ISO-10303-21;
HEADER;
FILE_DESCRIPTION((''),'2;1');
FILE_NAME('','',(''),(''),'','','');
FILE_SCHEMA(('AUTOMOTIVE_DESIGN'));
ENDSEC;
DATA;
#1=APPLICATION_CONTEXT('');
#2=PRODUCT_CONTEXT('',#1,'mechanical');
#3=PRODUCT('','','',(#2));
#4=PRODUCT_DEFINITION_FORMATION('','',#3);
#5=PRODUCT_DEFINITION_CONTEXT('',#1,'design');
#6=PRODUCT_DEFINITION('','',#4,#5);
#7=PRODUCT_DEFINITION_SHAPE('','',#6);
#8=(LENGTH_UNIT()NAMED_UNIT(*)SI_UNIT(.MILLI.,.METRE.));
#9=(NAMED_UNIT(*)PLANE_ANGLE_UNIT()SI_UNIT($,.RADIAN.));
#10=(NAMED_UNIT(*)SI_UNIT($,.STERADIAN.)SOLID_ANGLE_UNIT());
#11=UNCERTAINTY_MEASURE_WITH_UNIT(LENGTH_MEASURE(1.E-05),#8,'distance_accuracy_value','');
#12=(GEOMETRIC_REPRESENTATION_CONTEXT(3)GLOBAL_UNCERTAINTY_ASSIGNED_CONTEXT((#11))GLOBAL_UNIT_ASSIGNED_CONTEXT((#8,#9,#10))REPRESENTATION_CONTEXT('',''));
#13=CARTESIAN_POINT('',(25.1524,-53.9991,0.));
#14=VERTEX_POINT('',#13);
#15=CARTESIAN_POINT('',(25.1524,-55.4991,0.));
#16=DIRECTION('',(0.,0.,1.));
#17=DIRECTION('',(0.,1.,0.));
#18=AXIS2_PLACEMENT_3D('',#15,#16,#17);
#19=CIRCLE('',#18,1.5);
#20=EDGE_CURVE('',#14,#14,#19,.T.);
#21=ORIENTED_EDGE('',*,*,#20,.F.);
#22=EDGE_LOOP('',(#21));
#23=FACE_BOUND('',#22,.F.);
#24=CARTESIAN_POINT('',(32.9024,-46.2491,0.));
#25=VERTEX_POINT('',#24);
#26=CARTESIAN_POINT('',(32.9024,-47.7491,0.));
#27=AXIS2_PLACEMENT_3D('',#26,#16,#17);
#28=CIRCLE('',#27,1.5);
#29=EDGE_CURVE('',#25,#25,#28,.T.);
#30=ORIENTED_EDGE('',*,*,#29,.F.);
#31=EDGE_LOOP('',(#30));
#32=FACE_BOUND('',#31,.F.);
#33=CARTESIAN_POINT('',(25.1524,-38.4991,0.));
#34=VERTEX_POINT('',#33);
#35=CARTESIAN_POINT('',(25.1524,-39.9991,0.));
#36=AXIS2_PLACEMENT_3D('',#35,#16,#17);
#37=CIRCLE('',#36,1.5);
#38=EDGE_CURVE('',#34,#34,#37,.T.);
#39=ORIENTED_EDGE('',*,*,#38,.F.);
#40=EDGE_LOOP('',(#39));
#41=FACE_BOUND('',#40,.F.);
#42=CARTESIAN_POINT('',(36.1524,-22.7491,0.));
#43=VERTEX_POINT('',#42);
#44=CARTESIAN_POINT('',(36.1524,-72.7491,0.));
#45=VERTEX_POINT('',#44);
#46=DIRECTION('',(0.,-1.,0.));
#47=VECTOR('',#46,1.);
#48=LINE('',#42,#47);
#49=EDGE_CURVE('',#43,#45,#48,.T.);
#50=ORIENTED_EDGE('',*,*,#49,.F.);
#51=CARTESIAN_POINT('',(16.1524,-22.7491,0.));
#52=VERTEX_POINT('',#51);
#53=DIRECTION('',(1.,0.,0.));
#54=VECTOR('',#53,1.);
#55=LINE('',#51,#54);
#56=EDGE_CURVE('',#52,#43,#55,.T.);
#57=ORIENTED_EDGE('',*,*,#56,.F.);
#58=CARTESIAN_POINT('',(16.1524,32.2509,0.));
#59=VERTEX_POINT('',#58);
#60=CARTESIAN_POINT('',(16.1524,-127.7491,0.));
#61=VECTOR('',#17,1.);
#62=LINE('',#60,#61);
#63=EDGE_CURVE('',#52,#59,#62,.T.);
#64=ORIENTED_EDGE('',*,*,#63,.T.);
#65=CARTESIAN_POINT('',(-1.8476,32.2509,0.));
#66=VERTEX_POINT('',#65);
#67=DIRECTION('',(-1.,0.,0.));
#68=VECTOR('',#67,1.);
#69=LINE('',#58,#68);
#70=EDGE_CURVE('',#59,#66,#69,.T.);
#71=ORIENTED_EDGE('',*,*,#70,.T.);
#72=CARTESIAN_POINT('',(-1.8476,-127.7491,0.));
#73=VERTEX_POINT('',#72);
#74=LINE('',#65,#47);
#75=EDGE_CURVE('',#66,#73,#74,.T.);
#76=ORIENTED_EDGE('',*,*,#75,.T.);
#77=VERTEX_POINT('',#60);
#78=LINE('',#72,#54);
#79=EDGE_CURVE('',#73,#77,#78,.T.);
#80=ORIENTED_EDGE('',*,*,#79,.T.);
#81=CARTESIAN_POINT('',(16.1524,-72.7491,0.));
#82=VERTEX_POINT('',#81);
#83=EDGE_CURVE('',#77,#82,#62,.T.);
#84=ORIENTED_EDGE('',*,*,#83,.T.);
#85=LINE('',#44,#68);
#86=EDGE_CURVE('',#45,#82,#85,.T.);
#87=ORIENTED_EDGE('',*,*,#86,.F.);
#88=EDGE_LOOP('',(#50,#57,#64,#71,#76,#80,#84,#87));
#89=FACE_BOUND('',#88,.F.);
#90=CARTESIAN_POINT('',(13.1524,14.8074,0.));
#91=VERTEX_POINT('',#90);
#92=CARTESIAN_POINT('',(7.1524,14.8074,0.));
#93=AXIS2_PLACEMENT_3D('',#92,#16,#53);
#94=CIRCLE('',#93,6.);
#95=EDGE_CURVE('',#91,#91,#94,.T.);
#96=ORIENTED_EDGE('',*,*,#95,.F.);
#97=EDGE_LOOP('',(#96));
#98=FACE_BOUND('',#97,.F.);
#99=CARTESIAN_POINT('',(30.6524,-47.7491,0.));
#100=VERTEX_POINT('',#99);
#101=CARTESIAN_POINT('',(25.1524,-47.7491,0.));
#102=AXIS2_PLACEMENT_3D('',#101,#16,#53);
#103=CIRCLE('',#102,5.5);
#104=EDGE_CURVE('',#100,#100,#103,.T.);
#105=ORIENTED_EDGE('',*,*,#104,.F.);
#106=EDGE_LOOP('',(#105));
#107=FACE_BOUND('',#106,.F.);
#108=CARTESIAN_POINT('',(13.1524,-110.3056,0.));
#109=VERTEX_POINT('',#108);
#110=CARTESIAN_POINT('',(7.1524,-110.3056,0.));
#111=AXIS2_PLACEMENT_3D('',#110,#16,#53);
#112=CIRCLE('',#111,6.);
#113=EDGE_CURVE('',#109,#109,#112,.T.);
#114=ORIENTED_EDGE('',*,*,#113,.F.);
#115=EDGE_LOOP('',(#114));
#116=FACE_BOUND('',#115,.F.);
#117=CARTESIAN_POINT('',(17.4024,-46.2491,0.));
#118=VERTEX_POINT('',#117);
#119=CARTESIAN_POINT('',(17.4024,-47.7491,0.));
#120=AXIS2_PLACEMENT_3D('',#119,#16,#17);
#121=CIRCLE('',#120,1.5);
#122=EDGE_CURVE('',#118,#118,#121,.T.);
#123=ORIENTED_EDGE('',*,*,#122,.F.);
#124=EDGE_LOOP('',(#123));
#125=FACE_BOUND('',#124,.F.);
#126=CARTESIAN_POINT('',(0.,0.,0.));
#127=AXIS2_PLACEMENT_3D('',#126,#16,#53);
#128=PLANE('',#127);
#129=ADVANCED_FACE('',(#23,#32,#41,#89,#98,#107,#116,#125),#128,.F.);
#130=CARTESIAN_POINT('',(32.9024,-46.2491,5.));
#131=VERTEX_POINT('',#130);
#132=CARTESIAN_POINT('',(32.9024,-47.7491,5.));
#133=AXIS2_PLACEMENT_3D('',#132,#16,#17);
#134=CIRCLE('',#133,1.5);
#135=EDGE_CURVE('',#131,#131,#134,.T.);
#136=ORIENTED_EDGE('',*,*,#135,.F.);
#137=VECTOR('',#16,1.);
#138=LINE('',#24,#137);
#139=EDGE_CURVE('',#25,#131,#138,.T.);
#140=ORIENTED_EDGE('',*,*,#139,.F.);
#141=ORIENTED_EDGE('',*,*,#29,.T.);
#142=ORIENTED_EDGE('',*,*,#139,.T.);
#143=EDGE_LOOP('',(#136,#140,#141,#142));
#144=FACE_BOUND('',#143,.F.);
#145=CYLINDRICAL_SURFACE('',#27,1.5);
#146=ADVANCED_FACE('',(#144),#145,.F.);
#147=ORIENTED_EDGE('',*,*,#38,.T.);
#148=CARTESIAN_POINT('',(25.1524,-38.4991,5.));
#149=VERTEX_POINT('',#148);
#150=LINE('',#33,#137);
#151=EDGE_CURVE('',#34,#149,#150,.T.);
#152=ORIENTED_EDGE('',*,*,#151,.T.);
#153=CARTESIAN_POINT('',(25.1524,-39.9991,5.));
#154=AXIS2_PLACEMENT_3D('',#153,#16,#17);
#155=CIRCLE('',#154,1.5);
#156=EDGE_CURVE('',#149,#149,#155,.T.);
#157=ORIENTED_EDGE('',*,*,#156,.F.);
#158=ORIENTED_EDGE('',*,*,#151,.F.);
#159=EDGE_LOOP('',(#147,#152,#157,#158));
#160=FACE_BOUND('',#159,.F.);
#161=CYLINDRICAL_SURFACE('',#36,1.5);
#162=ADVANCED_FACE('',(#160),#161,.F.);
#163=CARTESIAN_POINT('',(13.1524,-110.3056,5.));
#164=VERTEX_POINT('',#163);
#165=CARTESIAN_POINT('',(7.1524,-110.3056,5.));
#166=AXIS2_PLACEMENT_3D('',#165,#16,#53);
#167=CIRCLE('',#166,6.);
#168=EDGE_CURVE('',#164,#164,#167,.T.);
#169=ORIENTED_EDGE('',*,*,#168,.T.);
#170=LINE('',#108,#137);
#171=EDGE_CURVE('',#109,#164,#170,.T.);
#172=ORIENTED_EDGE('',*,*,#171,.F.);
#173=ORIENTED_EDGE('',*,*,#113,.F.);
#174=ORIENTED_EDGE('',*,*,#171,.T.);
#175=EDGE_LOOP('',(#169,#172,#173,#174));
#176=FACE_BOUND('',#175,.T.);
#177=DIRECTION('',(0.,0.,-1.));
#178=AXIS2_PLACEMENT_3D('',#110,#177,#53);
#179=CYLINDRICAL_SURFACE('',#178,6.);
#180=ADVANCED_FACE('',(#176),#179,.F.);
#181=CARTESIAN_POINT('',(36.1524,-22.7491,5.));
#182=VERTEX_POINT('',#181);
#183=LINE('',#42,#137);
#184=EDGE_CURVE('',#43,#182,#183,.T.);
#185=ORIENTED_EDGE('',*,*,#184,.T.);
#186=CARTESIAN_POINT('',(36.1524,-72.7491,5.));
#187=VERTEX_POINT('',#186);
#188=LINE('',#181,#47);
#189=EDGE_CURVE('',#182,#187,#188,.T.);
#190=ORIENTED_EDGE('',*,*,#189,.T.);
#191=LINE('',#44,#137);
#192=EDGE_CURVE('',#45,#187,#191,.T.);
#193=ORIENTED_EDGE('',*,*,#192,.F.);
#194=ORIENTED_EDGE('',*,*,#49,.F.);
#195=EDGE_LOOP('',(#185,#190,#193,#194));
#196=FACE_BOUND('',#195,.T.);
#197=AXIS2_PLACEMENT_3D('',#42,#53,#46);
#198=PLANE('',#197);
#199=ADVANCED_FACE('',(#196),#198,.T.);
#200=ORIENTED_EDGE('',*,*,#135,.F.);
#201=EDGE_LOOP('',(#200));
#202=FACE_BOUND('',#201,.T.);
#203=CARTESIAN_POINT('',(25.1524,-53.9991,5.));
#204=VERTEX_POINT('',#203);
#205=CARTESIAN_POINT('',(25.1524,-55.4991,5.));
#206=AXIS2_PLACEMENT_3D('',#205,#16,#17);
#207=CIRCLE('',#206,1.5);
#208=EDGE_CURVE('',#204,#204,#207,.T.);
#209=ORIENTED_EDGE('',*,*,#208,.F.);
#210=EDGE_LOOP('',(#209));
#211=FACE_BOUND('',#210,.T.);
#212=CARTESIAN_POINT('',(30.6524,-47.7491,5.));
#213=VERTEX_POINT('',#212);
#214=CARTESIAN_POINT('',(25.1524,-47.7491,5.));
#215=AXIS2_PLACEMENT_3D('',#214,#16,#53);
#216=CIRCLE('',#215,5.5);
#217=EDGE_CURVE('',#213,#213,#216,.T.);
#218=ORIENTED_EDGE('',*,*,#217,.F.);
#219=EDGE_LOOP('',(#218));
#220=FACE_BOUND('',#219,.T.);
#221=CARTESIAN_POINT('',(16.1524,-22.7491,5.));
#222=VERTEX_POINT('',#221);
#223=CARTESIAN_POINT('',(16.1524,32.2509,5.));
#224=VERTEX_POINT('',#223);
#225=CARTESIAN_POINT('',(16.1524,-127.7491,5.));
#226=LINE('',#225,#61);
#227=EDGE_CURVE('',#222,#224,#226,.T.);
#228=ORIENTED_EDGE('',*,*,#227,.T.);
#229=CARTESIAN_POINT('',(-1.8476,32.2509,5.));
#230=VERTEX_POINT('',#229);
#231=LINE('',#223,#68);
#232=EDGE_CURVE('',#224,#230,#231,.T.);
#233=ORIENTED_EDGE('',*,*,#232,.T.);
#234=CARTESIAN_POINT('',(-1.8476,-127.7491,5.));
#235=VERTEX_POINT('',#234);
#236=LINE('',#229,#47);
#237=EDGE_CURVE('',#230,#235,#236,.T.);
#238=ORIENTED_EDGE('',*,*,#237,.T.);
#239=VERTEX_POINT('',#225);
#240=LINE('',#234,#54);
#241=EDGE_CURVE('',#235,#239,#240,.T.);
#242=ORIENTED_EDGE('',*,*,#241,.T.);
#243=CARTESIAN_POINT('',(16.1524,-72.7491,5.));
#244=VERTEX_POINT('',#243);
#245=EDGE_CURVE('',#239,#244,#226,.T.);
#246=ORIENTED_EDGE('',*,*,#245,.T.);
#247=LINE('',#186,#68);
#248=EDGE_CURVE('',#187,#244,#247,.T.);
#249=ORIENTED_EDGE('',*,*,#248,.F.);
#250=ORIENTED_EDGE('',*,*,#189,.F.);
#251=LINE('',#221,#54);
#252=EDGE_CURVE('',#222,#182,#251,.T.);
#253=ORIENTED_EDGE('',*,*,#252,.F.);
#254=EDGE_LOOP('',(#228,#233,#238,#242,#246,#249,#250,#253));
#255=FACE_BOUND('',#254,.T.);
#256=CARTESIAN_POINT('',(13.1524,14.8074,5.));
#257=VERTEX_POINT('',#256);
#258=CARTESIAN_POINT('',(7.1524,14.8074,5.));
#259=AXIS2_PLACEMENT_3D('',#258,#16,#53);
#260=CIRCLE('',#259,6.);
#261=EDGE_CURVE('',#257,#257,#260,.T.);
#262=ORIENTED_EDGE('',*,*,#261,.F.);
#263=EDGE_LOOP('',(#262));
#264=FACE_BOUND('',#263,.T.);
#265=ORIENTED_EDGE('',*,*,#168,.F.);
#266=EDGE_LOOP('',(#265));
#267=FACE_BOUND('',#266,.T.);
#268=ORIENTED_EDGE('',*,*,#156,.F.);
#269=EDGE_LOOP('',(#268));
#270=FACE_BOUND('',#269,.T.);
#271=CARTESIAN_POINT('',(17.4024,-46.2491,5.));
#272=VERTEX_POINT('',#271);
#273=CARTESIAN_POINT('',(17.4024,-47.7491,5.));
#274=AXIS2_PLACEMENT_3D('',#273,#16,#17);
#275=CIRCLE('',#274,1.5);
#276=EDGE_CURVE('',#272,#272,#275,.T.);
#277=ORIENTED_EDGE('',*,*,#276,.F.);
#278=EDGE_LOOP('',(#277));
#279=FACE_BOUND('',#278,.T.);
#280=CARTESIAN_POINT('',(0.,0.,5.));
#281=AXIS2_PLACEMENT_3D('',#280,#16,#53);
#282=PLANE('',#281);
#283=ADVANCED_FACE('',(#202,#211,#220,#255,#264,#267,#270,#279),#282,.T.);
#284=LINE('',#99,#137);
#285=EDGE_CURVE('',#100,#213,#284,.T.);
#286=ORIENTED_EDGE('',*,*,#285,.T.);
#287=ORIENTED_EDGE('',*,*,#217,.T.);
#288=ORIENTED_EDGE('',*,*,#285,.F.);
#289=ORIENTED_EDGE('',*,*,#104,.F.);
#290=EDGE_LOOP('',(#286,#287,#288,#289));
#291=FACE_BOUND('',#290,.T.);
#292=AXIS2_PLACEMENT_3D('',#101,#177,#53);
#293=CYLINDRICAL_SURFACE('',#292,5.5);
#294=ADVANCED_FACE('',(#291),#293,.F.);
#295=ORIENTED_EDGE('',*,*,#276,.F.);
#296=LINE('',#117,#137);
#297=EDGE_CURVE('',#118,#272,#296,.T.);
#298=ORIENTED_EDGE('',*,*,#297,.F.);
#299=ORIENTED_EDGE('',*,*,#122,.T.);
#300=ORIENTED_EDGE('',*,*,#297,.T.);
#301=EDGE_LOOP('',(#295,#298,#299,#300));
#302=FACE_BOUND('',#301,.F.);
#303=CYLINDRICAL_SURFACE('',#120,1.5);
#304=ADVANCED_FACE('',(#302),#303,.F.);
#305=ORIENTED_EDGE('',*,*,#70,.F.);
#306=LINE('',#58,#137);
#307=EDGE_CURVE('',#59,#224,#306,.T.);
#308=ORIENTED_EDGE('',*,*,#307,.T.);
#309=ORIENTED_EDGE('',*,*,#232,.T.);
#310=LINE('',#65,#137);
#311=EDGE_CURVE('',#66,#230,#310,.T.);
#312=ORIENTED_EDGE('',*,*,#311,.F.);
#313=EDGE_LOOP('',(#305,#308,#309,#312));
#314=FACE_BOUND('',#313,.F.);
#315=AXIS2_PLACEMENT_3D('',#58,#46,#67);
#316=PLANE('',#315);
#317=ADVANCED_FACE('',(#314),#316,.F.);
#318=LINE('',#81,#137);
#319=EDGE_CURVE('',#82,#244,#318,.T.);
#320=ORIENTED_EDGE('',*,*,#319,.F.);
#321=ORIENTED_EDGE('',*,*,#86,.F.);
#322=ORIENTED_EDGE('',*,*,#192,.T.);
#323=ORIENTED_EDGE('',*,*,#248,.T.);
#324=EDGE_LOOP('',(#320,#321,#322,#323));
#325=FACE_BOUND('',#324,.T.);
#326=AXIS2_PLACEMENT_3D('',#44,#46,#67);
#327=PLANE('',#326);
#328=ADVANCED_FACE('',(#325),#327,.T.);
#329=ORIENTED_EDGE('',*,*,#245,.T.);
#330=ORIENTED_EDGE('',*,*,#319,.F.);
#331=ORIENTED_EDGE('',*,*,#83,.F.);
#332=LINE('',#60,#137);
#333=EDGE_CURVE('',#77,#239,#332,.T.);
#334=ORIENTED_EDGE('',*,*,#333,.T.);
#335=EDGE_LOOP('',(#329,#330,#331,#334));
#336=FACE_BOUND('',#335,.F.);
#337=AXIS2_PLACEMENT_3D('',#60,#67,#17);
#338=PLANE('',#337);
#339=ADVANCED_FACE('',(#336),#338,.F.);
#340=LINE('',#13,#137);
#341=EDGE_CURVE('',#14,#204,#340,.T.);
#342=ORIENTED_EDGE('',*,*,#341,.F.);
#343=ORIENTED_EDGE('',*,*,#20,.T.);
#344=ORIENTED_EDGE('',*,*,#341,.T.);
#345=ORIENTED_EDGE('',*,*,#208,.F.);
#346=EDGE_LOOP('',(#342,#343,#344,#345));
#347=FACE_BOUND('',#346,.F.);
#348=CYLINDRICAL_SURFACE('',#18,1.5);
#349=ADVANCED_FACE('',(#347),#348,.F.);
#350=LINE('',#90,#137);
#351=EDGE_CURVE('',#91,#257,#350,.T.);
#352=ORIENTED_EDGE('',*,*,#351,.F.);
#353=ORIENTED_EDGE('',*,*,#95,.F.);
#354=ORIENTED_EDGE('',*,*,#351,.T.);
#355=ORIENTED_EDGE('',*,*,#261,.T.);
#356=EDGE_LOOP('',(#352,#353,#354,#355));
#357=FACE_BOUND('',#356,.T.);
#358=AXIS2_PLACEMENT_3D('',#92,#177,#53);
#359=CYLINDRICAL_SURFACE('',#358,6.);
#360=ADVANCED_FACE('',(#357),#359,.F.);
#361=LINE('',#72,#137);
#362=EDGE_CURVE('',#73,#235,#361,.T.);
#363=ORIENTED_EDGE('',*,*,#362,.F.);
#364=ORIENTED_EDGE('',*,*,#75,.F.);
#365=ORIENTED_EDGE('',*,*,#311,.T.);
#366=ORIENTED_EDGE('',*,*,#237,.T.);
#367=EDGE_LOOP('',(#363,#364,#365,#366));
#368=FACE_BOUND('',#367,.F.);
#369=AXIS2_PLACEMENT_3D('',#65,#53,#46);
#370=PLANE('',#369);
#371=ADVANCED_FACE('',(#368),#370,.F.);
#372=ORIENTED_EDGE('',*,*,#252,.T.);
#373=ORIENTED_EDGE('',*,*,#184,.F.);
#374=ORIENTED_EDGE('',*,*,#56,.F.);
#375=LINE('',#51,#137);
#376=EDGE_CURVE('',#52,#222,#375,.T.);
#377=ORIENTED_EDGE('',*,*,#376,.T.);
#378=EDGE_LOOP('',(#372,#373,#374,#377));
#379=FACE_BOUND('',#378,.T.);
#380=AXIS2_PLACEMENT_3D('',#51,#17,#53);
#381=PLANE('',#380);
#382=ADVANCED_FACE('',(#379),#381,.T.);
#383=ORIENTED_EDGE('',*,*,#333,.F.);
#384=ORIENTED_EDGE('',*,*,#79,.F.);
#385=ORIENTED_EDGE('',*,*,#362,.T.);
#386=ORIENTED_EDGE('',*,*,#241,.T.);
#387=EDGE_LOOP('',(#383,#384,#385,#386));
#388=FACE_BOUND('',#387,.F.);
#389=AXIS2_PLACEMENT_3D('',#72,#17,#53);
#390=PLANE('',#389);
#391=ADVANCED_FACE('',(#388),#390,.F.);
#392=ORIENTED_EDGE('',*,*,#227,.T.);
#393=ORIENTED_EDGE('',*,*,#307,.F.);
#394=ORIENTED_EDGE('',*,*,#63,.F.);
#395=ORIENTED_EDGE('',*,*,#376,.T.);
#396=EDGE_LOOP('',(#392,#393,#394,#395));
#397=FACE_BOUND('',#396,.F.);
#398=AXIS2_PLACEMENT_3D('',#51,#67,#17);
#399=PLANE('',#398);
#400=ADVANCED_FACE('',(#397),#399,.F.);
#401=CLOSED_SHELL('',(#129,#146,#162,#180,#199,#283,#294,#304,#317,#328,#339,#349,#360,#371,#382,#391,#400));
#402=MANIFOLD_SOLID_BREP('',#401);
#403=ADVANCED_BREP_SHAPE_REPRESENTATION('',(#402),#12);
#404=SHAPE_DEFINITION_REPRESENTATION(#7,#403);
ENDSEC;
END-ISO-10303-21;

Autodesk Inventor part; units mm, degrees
ref_plane "YZ Plane" through (0, 0, 0) normal (1, 0, 0) x (0, 1, 0)
ref_plane "XZ Plane" through (0, 0, 0) normal (0, 1, 0) x (-1, 0, 0)
ref_plane "XY Plane" through (0, 0, 0) normal (0, 0, 1) x (1, 0, 0)
sketch "Sketch1" plane through (0, 0, 0) normal (0, 0, 1) x (1, 0, 0)
  line L0 (-1.8476, 32.2509) -> (-1.8476, -127.7491)
  line L1 (-1.8476, 32.2509) -> (158.1524, 32.2509) construction
  line L2 (-1.8476, -127.7491) -> (16.1524, -127.7491)
  line L3 (16.1524, -127.7491) -> (16.1524, 32.2509)
  line L4 (16.1524, 32.2509) -> (-1.8476, 32.2509)
  line L5 (7.1524, 32.2509) -> (7.1524, -127.7491) construction
  line L6 (-1.8476, -47.7491) -> (16.1524, -47.7491) construction
  circle A0 centre (7.1524, -110.3056) radius 6
  circle A1 centre (7.1524, 14.8074) radius 6
  line L7 (16.1524, -22.7491) -> (36.1524, -22.7491)
  line L8 (36.1524, -22.7491) -> (36.1524, -72.7491)
  line L9 (36.1524, -72.7491) -> (16.1524, -72.7491)
  line L10 (16.1524, -47.7491) -> (36.1524, -47.7491) construction
  circle A2 centre (25.1524, -47.7491) radius 5.5
  point P0 (0, 0)
  dimension "d0" = 160
  dimension "d1" = 90
  dimension "d2" = 18
  dimension "d3" = 12
  dimension "d4" = 12
  dimension "d5" = 125.113
  dimension "d6" = 20
  dimension "d7" = 50
  dimension "d8" = 55
  dimension "d15" = 11
  dimension "d16" = 9
  dimension "d17" = 17.4435
  dimension "d25" = 9
extrude "Extrusion1" add sketch "Sketch1" along normal blind 5
sketch "Sketch2" plane through (0, 0, 0) normal (0, 0, 1) x (1, 0, 0)
  circle A0 centre (25.1524, -55.4991) radius 1.5 projected
  circle A1 centre (17.4024, -47.7491) radius 1.5 projected
  circle A2 centre (25.1524, -39.9991) radius 1.5 projected
  circle A3 centre (32.9024, -47.7491) radius 1.5 projected
  point P0 (0, 0)
hole "Hole1" at (25.1524, -55.4991, 0) at (32.9024, -47.7491, 0) at (25.1524, -39.9991, 0) at (17.4024, -47.7491, 0) direction (0, 0, 1) diameter 3 end through all
equation "\"d8\" = 0.5 * d0 - 0.5 * d7"
equation "\"d17\" = 0.5 * d0 - 0.5 * d5"
properties part number "joining brace_3DPrint"
